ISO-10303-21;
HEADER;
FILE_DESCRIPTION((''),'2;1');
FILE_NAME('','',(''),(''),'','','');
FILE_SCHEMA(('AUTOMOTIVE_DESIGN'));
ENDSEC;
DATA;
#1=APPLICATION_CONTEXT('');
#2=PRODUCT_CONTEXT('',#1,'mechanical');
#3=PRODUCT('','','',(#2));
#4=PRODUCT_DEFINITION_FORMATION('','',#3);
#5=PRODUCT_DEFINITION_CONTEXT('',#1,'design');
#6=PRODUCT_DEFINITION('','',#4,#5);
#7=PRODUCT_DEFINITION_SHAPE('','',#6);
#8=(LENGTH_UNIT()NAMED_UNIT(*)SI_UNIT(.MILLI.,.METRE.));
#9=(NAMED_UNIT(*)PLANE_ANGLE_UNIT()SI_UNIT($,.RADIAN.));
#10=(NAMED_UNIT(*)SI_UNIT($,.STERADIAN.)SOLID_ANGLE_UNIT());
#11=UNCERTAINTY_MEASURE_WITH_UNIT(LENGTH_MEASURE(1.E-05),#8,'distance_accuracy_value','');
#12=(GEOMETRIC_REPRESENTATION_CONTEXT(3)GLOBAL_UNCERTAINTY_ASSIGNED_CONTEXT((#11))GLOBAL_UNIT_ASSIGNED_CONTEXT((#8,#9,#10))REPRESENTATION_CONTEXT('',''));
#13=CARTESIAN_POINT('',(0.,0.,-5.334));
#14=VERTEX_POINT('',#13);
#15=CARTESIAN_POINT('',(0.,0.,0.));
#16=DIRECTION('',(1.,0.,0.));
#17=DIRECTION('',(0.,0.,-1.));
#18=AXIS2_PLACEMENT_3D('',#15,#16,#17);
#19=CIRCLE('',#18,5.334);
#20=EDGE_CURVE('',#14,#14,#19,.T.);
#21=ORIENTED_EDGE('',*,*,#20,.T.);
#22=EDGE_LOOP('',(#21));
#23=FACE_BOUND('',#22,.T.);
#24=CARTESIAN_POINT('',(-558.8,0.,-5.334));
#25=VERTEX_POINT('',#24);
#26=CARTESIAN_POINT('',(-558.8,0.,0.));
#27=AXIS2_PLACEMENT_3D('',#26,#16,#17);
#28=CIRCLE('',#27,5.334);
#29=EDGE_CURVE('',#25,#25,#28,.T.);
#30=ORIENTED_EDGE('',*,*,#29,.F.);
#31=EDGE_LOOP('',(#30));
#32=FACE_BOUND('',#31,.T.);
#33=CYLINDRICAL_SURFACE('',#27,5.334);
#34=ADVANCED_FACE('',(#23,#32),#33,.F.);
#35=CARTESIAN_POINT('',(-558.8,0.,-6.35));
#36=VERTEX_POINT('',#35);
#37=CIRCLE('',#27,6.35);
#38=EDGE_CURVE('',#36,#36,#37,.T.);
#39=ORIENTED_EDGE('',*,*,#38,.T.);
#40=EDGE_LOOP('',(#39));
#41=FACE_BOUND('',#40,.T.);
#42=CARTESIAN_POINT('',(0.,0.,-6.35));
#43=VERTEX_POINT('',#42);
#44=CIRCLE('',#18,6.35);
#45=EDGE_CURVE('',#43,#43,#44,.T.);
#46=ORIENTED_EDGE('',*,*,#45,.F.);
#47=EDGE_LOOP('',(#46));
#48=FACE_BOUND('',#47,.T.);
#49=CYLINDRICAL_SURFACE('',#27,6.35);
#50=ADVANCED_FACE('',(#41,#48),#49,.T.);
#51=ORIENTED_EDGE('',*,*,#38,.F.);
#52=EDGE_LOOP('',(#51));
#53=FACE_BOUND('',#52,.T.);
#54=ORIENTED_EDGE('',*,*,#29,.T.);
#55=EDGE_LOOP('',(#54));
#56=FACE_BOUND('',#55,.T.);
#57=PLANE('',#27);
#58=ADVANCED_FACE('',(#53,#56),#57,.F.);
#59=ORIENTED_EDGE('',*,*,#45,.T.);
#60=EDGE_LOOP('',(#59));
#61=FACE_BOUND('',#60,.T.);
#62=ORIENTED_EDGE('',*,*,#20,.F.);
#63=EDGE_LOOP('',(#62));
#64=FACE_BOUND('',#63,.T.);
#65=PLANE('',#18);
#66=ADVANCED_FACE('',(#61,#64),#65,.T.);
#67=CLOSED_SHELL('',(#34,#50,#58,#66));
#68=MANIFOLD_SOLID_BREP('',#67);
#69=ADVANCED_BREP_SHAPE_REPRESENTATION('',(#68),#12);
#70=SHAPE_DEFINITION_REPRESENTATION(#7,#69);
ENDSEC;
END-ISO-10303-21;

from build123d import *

# Parameters (mm, degrees)
SKETCH1_R           = 6.35
SKETCH1_R_2         = 5.334
BOSS_EXTRUDE1_DEPTH = 558.8


with BuildPart() as part:
    # Sketch1 → Boss-Extrude1 (new body)
    with BuildSketch(Plane(origin=(0, 0, 0), x_dir=(0, 0, -1), z_dir=(1, 0, 0))):
        Circle(SKETCH1_R)
        Circle(SKETCH1_R_2, mode=Mode.SUBTRACT)
    extrude(amount=-BOSS_EXTRUDE1_DEPTH)


solid = part.part
